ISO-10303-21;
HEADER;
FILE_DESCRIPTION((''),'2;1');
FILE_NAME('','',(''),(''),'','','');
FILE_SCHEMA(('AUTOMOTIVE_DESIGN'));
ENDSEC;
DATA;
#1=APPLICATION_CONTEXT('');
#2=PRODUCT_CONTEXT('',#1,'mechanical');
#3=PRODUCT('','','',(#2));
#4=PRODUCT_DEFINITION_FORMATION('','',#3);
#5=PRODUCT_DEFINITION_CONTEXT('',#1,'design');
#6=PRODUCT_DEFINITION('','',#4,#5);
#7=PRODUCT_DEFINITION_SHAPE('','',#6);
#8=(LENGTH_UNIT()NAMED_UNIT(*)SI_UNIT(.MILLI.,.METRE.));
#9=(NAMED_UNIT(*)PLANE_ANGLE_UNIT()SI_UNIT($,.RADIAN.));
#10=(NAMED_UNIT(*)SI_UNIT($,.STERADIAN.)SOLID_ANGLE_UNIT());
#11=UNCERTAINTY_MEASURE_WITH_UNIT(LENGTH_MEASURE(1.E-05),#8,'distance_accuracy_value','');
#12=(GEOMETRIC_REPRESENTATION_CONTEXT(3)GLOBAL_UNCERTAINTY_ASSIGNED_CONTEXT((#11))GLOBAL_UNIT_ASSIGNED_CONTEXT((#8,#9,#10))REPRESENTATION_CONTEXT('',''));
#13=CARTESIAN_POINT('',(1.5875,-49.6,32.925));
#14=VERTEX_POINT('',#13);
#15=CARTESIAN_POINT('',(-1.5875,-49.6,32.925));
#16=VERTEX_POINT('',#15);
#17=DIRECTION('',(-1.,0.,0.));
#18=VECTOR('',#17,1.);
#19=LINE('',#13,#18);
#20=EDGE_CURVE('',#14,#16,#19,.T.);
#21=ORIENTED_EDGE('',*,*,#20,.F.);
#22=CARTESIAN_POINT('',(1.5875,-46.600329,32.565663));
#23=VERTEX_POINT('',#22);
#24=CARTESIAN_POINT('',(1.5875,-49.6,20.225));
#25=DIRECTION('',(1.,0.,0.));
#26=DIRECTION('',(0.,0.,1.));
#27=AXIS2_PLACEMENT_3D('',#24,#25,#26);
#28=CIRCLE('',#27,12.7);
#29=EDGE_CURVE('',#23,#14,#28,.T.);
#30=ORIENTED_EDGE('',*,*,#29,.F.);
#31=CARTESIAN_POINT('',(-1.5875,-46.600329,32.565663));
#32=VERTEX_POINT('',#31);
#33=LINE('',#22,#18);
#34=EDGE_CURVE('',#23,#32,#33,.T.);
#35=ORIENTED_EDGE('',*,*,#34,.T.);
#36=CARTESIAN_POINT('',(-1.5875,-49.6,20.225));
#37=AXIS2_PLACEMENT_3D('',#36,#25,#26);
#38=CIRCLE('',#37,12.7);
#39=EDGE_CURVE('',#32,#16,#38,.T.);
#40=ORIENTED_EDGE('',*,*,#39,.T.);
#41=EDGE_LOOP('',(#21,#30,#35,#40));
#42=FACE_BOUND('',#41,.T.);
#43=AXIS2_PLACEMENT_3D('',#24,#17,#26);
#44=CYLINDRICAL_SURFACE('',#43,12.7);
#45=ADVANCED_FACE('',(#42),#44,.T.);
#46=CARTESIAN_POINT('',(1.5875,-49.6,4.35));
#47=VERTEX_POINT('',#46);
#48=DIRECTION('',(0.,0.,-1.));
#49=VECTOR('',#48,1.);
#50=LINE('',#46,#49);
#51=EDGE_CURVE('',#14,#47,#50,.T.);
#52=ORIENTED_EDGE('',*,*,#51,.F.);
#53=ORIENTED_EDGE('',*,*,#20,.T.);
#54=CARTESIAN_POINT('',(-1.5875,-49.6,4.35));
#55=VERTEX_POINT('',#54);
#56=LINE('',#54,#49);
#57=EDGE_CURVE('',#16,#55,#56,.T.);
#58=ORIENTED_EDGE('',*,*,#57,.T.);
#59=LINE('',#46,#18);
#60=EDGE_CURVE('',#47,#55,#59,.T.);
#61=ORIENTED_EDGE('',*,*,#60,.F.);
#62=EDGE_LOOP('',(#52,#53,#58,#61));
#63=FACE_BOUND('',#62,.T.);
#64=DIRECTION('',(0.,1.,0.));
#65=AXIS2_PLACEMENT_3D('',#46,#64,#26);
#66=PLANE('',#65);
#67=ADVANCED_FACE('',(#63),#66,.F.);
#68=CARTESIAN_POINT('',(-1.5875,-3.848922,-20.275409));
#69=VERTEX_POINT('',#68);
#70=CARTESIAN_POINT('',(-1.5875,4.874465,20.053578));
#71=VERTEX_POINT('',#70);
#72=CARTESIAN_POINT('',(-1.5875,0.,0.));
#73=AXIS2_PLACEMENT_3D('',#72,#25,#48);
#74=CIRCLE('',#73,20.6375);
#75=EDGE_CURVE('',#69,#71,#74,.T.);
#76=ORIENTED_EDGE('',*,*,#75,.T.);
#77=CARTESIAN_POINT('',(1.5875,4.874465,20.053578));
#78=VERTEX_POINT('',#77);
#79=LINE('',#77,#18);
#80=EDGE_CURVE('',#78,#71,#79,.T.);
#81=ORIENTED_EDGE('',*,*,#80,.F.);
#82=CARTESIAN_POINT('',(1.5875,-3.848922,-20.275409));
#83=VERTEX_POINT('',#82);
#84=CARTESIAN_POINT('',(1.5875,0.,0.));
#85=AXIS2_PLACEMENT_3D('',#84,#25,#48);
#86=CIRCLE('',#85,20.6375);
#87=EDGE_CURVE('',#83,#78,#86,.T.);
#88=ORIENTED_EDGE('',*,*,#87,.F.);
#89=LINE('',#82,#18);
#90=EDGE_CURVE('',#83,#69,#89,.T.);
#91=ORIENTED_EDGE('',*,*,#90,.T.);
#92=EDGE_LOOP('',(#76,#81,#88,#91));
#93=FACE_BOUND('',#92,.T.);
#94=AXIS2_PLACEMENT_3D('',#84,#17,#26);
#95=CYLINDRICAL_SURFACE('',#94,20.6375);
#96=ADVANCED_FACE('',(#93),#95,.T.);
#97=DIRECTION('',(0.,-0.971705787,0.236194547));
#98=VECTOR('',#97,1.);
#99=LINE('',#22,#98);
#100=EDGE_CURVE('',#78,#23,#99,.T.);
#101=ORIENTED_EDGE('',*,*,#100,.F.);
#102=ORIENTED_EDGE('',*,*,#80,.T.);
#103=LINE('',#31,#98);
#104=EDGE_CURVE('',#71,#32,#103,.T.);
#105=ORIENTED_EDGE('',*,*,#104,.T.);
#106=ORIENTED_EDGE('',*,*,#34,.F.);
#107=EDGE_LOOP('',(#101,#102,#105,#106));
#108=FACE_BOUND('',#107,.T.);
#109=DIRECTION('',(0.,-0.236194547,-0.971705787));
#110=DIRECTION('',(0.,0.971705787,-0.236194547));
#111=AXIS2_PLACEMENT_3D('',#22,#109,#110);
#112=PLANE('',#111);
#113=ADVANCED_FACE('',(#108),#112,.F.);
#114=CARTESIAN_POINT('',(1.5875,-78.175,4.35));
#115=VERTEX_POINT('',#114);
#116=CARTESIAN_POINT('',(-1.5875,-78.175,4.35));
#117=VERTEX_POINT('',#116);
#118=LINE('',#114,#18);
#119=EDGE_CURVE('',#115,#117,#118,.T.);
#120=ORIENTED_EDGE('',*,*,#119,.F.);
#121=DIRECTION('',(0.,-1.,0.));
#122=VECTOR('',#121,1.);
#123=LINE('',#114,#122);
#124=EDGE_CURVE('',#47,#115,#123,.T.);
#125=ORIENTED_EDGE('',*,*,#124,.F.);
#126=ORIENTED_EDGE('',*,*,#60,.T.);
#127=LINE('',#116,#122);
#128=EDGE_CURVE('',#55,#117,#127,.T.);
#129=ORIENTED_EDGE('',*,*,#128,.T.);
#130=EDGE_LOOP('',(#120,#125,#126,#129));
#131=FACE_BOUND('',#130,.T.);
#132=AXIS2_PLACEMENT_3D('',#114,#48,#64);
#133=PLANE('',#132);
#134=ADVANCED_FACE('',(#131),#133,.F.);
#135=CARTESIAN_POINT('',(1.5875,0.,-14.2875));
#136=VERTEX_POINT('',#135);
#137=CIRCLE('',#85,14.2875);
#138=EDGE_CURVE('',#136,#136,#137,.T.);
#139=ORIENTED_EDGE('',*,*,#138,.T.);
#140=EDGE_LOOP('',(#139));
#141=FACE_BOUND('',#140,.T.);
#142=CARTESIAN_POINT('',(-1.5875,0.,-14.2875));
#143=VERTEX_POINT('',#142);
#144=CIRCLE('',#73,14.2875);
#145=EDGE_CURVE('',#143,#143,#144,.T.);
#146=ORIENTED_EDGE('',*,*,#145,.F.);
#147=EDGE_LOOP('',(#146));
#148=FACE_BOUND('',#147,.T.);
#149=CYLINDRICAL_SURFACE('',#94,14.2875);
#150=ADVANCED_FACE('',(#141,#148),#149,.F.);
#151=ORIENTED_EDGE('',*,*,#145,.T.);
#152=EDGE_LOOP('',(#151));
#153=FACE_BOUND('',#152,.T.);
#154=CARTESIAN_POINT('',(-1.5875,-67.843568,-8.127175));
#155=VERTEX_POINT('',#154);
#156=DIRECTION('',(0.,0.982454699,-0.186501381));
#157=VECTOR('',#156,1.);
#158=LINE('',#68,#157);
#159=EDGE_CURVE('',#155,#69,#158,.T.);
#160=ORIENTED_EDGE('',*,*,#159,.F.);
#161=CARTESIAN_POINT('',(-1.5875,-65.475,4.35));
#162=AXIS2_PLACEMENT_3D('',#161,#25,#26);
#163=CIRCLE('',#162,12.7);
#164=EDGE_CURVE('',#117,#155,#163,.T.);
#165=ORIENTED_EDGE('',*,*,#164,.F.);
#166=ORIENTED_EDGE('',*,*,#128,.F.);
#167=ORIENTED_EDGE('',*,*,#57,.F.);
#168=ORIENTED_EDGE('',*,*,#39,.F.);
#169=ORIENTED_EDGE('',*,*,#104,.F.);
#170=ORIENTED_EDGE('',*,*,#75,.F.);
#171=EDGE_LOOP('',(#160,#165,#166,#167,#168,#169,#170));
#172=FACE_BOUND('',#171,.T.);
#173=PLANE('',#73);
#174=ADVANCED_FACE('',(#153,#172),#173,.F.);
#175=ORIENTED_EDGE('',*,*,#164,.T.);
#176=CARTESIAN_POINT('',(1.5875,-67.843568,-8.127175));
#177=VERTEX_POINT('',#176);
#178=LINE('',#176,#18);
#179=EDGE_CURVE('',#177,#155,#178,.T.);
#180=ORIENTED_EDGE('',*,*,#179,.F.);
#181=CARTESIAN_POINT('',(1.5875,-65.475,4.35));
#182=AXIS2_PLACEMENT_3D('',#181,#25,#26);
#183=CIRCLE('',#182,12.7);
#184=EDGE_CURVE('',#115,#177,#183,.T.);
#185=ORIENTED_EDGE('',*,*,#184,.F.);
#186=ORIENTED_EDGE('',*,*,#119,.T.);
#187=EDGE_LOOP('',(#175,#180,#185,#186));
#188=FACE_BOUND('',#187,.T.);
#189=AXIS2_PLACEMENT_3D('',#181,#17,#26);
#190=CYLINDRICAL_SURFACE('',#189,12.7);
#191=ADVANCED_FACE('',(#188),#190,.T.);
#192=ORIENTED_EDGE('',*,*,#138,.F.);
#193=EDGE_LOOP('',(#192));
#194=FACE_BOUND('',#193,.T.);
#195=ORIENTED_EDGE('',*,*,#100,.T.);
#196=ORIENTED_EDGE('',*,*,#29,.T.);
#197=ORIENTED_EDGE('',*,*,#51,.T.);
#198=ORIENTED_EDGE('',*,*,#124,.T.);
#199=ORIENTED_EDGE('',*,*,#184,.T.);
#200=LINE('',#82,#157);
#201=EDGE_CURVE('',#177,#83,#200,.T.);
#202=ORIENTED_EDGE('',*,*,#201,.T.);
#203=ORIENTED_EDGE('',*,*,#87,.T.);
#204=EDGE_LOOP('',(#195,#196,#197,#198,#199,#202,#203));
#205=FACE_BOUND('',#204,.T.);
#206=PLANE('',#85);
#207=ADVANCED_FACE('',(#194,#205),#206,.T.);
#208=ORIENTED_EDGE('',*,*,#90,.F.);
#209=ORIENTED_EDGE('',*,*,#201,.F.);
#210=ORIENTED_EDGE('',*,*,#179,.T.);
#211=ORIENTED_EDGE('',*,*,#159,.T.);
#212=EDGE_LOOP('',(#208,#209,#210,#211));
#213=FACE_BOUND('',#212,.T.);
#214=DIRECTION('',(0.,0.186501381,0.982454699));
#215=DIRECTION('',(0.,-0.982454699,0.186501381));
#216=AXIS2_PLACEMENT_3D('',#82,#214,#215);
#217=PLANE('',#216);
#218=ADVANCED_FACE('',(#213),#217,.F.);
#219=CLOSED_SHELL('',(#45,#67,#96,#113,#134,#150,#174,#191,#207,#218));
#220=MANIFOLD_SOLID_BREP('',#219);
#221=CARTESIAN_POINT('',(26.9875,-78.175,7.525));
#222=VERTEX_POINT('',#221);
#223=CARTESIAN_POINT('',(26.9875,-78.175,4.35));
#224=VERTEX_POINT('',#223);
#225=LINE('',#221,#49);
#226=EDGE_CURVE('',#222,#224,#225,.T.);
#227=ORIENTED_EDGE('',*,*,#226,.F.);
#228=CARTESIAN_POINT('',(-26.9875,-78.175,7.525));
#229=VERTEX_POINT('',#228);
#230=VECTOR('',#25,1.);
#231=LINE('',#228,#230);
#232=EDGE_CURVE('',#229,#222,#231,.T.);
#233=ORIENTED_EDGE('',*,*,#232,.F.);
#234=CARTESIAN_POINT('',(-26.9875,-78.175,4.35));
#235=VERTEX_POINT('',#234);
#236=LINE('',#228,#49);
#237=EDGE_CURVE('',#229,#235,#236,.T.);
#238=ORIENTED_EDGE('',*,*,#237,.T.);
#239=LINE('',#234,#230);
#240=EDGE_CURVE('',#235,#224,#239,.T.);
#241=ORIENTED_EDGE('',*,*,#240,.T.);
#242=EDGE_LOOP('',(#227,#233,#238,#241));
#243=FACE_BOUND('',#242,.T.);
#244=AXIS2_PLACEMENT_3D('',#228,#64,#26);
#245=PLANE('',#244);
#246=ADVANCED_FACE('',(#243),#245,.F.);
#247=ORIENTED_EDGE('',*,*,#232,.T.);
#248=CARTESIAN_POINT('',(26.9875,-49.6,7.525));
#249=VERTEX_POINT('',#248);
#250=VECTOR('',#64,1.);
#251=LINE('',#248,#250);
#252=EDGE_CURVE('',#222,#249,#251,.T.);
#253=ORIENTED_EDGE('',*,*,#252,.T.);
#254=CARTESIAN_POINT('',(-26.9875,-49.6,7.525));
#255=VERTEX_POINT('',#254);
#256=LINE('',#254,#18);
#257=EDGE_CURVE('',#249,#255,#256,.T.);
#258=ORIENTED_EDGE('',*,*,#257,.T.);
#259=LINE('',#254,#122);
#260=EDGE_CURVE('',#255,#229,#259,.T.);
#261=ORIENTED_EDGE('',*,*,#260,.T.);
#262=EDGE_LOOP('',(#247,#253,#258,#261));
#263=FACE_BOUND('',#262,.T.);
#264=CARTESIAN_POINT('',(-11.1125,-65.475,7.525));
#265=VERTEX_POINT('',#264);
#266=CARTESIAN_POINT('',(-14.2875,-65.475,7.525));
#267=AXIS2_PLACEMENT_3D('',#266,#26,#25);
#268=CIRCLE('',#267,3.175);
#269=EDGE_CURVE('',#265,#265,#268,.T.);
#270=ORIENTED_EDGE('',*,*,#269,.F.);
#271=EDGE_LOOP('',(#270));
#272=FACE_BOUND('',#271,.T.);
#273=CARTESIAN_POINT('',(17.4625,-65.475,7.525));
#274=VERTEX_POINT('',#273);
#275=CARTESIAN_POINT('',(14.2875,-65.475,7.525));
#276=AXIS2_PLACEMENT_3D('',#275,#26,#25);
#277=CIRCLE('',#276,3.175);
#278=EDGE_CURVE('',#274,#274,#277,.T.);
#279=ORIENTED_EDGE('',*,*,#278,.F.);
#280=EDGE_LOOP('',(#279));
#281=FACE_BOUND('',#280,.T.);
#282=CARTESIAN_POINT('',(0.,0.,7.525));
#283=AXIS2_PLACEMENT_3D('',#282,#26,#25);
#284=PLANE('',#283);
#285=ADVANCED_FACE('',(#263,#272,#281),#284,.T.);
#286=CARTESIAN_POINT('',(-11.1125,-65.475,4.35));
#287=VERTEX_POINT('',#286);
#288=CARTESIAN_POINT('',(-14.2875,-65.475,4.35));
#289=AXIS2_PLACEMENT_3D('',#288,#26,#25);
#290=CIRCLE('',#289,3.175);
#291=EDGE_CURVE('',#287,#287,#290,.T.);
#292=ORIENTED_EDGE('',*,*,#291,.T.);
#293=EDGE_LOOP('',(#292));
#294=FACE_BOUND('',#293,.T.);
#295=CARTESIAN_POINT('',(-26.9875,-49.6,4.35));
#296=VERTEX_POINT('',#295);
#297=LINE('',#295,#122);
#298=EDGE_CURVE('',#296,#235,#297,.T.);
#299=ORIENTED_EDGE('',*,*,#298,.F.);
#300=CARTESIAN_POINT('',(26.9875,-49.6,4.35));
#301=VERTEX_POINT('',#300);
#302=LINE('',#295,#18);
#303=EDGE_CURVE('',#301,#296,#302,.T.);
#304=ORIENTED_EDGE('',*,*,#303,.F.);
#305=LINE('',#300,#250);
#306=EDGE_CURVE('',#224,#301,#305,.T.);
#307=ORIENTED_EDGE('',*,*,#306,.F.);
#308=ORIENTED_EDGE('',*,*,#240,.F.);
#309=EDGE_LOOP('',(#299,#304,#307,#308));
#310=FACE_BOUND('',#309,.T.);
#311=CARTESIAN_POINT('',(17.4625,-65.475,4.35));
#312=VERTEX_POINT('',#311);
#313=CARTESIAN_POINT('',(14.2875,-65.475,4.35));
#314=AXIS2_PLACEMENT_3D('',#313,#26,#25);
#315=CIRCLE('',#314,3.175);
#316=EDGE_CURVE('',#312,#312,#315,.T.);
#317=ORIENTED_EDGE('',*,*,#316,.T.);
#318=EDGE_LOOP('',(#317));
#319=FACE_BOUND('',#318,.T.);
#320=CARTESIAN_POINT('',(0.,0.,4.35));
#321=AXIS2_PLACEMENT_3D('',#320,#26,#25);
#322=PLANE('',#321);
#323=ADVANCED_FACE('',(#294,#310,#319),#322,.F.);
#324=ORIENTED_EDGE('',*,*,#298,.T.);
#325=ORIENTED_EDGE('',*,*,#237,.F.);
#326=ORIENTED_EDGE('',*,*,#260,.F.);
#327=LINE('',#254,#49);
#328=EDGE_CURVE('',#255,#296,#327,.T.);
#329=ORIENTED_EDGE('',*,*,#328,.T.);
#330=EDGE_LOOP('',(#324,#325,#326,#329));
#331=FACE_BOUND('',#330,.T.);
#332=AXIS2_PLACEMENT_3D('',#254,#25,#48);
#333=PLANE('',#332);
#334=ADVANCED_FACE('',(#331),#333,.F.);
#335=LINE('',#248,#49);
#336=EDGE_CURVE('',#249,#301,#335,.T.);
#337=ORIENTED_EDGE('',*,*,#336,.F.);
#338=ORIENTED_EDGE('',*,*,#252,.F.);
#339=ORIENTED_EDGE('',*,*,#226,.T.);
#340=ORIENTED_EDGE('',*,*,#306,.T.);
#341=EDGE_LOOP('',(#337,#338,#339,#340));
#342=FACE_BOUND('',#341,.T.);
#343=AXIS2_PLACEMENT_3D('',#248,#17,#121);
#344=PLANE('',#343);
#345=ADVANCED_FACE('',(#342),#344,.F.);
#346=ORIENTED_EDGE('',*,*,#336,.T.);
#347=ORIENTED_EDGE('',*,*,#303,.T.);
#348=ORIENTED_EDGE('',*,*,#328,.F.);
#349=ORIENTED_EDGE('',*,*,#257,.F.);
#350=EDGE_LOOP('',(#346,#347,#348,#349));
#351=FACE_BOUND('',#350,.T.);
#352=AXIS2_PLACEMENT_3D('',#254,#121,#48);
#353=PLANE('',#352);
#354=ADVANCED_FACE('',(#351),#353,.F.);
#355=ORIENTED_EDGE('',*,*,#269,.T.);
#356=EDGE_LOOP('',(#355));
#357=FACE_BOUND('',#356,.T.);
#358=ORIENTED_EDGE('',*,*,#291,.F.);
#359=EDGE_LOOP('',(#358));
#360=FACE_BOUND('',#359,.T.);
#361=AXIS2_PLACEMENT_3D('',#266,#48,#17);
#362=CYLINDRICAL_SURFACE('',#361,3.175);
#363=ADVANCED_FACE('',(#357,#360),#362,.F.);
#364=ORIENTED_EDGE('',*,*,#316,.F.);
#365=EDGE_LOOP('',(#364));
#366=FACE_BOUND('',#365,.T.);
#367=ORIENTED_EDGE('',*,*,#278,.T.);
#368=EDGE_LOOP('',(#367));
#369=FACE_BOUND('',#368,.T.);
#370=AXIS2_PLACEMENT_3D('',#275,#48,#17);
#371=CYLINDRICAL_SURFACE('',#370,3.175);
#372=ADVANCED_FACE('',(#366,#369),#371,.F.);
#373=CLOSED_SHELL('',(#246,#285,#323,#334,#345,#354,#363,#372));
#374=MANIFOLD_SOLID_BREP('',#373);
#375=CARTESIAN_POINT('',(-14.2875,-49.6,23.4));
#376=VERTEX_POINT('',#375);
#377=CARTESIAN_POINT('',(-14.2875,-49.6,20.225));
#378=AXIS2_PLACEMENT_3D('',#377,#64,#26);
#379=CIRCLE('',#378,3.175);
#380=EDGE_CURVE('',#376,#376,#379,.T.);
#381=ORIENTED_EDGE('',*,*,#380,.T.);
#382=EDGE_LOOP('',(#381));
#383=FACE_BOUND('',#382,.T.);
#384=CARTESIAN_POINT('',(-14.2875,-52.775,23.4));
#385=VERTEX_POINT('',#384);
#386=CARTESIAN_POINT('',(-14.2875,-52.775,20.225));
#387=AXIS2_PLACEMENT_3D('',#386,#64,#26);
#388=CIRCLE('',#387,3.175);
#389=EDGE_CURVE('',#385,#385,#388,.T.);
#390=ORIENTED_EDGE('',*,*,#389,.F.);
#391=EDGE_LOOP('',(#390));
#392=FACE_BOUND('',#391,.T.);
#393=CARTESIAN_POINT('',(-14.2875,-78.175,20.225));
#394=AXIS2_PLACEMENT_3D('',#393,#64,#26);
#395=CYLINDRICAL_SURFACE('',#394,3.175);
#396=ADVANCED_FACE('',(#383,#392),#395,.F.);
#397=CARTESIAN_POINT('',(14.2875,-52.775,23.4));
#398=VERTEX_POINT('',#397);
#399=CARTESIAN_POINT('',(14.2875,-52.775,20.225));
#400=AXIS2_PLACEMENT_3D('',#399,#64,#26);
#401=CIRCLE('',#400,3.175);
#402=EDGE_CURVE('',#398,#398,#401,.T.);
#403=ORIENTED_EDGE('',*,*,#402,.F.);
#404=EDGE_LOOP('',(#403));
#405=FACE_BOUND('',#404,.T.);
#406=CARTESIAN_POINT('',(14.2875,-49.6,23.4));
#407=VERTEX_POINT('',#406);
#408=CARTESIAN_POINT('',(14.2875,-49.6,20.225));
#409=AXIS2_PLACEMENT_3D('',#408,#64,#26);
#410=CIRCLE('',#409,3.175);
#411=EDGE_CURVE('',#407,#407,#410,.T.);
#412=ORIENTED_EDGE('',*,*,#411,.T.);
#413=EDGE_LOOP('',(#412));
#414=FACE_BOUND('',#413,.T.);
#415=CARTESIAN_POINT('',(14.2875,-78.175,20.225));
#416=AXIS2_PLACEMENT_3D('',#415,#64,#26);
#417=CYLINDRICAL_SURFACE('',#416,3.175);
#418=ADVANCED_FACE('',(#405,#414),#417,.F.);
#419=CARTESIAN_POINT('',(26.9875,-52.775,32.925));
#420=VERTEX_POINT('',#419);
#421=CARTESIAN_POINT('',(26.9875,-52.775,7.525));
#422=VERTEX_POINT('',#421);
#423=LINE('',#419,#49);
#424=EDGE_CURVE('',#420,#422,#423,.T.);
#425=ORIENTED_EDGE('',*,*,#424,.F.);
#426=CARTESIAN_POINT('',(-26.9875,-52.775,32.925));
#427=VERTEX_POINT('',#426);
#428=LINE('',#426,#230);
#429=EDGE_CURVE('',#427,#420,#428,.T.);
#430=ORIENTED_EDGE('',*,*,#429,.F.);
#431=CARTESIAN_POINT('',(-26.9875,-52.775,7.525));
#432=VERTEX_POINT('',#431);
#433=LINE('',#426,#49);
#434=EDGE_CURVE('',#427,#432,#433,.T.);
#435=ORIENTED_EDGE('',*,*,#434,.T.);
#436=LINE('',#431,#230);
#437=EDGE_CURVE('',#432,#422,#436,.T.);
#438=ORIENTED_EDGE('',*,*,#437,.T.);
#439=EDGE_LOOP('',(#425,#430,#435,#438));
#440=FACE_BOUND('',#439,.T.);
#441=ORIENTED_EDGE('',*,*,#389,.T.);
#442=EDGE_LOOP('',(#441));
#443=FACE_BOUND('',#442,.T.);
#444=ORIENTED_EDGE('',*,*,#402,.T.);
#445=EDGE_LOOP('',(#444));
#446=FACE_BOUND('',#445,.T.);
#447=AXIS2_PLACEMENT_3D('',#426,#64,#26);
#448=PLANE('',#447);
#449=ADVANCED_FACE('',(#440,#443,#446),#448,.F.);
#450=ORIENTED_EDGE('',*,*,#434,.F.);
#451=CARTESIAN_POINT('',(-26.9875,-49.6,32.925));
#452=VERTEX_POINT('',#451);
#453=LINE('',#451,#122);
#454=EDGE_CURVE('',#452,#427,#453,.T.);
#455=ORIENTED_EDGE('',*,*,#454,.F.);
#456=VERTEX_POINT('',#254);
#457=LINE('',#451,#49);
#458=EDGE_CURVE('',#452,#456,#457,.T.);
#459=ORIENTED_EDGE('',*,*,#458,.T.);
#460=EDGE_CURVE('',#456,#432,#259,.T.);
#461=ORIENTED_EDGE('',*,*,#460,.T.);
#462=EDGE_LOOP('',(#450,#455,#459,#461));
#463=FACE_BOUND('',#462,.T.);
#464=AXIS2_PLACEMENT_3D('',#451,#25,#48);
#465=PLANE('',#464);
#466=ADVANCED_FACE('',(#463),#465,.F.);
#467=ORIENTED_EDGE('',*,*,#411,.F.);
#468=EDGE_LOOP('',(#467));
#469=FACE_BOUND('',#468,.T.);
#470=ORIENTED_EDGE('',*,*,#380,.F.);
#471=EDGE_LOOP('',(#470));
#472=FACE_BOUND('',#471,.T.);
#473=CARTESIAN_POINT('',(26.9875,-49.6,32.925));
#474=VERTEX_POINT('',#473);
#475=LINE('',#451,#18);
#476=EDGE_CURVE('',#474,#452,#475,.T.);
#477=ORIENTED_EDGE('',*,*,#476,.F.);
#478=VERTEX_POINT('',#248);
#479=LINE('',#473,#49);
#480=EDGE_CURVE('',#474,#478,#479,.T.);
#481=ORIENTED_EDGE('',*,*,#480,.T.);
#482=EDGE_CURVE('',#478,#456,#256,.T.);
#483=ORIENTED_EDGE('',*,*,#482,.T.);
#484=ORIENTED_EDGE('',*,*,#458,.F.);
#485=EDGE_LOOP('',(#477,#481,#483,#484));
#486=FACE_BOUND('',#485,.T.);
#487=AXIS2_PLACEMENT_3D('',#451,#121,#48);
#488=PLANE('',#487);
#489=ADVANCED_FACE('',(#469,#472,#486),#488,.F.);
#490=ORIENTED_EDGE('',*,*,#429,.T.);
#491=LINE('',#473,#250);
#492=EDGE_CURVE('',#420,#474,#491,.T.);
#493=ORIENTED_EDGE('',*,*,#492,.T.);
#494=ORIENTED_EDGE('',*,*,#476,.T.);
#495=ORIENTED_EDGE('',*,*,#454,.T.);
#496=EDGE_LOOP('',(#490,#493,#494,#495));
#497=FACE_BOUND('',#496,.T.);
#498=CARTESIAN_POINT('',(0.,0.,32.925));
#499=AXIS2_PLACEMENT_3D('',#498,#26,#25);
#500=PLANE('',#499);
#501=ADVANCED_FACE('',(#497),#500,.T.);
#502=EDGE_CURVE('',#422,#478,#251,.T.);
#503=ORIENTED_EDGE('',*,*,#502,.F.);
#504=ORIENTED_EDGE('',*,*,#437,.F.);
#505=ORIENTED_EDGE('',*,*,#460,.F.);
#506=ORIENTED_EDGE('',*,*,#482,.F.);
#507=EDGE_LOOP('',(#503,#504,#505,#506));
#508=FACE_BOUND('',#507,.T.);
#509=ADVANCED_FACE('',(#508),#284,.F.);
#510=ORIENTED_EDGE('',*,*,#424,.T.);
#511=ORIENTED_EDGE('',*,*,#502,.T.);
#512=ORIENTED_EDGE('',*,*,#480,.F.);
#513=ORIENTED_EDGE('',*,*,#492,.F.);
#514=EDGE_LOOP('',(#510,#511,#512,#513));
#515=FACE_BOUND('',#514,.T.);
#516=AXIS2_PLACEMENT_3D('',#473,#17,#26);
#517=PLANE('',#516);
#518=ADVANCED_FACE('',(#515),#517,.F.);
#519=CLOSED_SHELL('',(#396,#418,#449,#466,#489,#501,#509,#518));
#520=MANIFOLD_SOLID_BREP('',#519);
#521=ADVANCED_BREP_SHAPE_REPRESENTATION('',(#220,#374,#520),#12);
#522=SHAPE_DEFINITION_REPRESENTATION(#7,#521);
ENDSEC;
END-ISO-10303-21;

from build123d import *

# Parameters (mm, degrees)
SKETCH1_R           = 14.2875
BOSS_EXTRUDE1_DEPTH = 1.5875
SKETCH2_W           = 53.975
SKETCH2_H           = 28.575
SKETCH2_R           = 3.175
BOSS_EXTRUDE2_DEPTH = 3.175
SKETCH3_W           = 53.975
SKETCH3_H           = 3.175
BOSS_EXTRUDE3_DEPTH = 25.4
SKETCH4_R           = 3.175
CUT_EXTRUDE1_DEPTH  = 29.575


with BuildPart() as part:
    # Sketch1 → Boss-Extrude1 (new body, symmetric)
    with BuildSketch(Plane(origin=(0, 0, 0), x_dir=(0, 0, -1), z_dir=(1, 0, 0))):
        with BuildLine():
            Line((20.275408842, -3.848922256), (8.127174672, -67.843567542))
            ThreePointArc((8.127174672, -67.843567542), (3.74966642, -75.256891632), (-4.35, -78.175))
            Line((-4.35, -78.175), (-4.35, -49.6))
            Line((-4.35, -49.6), (-32.925, -49.6))
            ThreePointArc((-32.925, -49.6), (-32.834845882, -48.08944155), (-32.565663491, -46.600329252))
            Line((-32.565663491, -46.600329252), (-20.053578173, 4.874464966))
            ThreePointArc((-20.053578173, 4.874464966), (4.363103639, 20.171012193), (20.275408842, -3.848922256))
        make_face()
        Circle(SKETCH1_R, mode=Mode.SUBTRACT)
    extrude(amount=BOSS_EXTRUDE1_DEPTH, both=True)


with BuildPart() as body_2:
    # Sketch2 → Boss-Extrude2 (new body)
    with BuildSketch(Plane.XY.offset(4.35)):
        with Locations((0, -63.8875)):
            Rectangle(SKETCH2_W, SKETCH2_H)
        with Locations((-14.2875, -65.475)):
            Circle(SKETCH2_R, mode=Mode.SUBTRACT)
        with Locations((14.2875, -65.475)):
            Circle(SKETCH2_R, mode=Mode.SUBTRACT)
    extrude(amount=BOSS_EXTRUDE2_DEPTH)


with BuildPart() as body_3:
    # Sketch3 → Boss-Extrude3 (new body)
    with BuildSketch(Plane.XY.offset(7.525)):
        with Locations((0, -51.1875)):
            Rectangle(SKETCH3_W, SKETCH3_H)
    extrude(amount=BOSS_EXTRUDE3_DEPTH)

    # Sketch4 → Cut-Extrude1 (cut, through all)
    with BuildSketch(Plane(origin=(0, -49.6, 0), x_dir=(1, 0, 0), z_dir=(0, 1, 0))):
        with Locations((-14.2875, -20.225)):
            Circle(SKETCH4_R)
        with Locations((14.2875, -20.225)):
            Circle(SKETCH4_R)
    extrude(amount=-CUT_EXTRUDE1_DEPTH, mode=Mode.SUBTRACT)


solid = Compound([part.part, body_2.part, body_3.part])
